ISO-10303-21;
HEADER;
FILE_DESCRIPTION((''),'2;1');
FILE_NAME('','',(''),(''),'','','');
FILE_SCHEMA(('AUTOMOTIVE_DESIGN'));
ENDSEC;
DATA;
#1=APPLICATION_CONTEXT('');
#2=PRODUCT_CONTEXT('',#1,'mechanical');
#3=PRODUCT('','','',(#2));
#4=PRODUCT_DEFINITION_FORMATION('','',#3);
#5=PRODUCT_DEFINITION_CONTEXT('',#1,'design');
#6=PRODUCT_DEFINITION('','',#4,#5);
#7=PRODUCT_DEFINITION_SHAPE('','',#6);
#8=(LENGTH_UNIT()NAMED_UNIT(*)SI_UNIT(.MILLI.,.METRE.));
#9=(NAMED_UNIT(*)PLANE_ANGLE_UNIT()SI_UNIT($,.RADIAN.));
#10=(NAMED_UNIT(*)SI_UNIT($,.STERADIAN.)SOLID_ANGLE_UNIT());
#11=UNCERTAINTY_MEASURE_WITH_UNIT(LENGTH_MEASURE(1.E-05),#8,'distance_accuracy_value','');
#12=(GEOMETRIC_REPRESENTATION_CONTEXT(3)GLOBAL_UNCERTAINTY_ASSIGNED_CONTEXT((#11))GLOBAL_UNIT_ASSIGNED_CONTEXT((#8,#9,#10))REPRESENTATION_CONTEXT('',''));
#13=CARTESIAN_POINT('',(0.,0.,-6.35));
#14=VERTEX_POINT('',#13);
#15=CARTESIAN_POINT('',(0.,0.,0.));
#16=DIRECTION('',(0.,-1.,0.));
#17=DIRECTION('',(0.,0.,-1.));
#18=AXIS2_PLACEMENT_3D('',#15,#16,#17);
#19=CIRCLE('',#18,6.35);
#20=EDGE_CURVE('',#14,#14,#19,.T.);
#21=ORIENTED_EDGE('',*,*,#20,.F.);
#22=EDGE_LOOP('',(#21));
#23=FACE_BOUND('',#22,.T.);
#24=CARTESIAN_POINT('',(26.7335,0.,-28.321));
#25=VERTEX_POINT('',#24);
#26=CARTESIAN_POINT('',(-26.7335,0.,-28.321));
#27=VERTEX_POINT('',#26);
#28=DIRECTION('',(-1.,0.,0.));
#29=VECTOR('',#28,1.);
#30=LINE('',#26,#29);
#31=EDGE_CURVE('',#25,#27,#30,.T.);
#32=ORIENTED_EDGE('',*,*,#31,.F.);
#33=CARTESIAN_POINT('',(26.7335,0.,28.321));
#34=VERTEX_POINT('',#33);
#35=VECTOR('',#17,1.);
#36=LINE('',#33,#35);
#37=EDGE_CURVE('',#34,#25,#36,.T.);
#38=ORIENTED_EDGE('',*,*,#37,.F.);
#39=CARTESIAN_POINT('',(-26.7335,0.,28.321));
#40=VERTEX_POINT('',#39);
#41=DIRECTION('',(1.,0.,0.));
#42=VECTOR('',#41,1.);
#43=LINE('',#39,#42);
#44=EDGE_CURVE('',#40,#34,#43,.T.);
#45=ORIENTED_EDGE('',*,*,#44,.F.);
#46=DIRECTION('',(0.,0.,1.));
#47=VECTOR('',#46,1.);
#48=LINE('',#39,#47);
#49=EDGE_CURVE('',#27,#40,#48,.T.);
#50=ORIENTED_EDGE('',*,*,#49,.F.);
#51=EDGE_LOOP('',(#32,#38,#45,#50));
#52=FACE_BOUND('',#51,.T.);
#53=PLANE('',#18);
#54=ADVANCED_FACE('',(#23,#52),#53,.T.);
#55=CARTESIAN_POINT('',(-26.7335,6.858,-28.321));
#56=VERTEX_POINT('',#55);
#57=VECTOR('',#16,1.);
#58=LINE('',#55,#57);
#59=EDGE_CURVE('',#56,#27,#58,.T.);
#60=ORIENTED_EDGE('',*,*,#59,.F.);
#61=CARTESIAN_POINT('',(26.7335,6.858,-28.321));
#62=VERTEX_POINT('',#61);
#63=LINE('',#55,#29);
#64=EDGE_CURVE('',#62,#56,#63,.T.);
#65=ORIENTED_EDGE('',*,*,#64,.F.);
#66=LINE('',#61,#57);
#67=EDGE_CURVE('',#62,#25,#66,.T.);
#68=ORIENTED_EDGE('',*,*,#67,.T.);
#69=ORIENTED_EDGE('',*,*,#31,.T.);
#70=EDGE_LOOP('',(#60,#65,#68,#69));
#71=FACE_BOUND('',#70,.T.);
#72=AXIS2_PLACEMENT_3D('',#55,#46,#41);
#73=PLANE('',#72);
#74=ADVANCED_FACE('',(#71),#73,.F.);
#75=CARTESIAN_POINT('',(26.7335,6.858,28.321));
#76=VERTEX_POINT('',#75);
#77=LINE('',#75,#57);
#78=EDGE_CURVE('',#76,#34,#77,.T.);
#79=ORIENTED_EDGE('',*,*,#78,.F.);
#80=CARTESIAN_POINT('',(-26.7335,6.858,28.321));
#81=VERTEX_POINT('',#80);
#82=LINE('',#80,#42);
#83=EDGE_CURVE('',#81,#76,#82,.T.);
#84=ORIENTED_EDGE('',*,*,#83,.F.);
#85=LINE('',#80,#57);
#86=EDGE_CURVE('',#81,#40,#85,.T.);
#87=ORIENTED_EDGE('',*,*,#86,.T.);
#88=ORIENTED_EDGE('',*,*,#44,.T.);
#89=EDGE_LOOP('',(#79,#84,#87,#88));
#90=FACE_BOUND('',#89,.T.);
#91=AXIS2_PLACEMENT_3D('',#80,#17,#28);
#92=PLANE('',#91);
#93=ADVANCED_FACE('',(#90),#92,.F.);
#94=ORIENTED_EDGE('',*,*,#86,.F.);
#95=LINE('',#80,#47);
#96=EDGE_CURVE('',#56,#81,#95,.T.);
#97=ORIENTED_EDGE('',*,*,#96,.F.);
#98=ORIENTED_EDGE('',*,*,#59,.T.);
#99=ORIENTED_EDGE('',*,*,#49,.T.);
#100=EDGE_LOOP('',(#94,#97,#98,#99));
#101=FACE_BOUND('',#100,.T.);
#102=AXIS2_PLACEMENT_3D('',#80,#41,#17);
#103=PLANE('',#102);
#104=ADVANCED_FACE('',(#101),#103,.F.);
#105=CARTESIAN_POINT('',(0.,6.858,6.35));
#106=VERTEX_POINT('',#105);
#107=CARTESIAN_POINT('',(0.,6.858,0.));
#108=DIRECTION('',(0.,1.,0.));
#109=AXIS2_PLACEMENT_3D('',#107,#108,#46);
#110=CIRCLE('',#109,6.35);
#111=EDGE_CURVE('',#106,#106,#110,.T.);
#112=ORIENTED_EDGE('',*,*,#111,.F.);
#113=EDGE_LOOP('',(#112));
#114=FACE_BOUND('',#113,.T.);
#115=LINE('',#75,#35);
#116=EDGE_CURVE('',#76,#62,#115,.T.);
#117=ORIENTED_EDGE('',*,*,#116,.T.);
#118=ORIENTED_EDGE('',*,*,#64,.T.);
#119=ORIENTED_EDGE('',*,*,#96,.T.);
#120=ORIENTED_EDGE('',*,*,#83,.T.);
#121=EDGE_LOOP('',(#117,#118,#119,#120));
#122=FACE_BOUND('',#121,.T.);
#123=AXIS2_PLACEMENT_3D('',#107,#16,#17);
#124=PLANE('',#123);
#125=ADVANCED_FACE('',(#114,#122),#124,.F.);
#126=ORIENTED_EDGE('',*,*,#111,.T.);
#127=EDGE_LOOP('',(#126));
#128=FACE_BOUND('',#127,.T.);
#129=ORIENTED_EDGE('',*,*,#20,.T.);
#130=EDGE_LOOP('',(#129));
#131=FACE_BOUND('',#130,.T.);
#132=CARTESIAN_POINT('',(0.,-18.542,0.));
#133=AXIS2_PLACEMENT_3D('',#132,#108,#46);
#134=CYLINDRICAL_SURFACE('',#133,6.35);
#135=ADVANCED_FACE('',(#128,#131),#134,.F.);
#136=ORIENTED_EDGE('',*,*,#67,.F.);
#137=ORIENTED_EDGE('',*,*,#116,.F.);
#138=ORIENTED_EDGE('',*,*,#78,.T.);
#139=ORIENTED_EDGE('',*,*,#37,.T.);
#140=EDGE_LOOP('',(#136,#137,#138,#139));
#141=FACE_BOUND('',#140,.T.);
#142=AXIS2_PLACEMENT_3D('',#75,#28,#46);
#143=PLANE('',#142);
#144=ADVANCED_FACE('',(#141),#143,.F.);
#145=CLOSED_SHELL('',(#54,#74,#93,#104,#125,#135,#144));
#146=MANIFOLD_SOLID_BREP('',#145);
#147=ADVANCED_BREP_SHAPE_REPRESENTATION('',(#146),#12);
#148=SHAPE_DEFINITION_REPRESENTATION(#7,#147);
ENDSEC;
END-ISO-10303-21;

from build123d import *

# Parameters (mm, degrees)
SKETCH1_W           = 53.467
SKETCH1_H           = 56.642
BOSS_EXTRUDE2_DEPTH = 6.858
SKETCH2_R           = 6.35
CUT_EXTRUDE1_DEPTH  = 25.4


with BuildPart() as part:
    # Sketch1 → Boss-Extrude2 (new body)
    with BuildSketch(Plane(origin=(0, 0, 0), x_dir=(1, 0, 0), z_dir=(0, 1, 0))):
        Rectangle(SKETCH1_W, SKETCH1_H)
    extrude(amount=BOSS_EXTRUDE2_DEPTH)

    # Sketch2 → Cut-Extrude1 (cut)
    with BuildSketch(Plane(origin=(0, 6.858, 0), x_dir=(1, 0, 0), z_dir=(0, 1, 0))):
        Circle(SKETCH2_R)
    extrude(amount=-CUT_EXTRUDE1_DEPTH, mode=Mode.SUBTRACT)


solid = part.part
